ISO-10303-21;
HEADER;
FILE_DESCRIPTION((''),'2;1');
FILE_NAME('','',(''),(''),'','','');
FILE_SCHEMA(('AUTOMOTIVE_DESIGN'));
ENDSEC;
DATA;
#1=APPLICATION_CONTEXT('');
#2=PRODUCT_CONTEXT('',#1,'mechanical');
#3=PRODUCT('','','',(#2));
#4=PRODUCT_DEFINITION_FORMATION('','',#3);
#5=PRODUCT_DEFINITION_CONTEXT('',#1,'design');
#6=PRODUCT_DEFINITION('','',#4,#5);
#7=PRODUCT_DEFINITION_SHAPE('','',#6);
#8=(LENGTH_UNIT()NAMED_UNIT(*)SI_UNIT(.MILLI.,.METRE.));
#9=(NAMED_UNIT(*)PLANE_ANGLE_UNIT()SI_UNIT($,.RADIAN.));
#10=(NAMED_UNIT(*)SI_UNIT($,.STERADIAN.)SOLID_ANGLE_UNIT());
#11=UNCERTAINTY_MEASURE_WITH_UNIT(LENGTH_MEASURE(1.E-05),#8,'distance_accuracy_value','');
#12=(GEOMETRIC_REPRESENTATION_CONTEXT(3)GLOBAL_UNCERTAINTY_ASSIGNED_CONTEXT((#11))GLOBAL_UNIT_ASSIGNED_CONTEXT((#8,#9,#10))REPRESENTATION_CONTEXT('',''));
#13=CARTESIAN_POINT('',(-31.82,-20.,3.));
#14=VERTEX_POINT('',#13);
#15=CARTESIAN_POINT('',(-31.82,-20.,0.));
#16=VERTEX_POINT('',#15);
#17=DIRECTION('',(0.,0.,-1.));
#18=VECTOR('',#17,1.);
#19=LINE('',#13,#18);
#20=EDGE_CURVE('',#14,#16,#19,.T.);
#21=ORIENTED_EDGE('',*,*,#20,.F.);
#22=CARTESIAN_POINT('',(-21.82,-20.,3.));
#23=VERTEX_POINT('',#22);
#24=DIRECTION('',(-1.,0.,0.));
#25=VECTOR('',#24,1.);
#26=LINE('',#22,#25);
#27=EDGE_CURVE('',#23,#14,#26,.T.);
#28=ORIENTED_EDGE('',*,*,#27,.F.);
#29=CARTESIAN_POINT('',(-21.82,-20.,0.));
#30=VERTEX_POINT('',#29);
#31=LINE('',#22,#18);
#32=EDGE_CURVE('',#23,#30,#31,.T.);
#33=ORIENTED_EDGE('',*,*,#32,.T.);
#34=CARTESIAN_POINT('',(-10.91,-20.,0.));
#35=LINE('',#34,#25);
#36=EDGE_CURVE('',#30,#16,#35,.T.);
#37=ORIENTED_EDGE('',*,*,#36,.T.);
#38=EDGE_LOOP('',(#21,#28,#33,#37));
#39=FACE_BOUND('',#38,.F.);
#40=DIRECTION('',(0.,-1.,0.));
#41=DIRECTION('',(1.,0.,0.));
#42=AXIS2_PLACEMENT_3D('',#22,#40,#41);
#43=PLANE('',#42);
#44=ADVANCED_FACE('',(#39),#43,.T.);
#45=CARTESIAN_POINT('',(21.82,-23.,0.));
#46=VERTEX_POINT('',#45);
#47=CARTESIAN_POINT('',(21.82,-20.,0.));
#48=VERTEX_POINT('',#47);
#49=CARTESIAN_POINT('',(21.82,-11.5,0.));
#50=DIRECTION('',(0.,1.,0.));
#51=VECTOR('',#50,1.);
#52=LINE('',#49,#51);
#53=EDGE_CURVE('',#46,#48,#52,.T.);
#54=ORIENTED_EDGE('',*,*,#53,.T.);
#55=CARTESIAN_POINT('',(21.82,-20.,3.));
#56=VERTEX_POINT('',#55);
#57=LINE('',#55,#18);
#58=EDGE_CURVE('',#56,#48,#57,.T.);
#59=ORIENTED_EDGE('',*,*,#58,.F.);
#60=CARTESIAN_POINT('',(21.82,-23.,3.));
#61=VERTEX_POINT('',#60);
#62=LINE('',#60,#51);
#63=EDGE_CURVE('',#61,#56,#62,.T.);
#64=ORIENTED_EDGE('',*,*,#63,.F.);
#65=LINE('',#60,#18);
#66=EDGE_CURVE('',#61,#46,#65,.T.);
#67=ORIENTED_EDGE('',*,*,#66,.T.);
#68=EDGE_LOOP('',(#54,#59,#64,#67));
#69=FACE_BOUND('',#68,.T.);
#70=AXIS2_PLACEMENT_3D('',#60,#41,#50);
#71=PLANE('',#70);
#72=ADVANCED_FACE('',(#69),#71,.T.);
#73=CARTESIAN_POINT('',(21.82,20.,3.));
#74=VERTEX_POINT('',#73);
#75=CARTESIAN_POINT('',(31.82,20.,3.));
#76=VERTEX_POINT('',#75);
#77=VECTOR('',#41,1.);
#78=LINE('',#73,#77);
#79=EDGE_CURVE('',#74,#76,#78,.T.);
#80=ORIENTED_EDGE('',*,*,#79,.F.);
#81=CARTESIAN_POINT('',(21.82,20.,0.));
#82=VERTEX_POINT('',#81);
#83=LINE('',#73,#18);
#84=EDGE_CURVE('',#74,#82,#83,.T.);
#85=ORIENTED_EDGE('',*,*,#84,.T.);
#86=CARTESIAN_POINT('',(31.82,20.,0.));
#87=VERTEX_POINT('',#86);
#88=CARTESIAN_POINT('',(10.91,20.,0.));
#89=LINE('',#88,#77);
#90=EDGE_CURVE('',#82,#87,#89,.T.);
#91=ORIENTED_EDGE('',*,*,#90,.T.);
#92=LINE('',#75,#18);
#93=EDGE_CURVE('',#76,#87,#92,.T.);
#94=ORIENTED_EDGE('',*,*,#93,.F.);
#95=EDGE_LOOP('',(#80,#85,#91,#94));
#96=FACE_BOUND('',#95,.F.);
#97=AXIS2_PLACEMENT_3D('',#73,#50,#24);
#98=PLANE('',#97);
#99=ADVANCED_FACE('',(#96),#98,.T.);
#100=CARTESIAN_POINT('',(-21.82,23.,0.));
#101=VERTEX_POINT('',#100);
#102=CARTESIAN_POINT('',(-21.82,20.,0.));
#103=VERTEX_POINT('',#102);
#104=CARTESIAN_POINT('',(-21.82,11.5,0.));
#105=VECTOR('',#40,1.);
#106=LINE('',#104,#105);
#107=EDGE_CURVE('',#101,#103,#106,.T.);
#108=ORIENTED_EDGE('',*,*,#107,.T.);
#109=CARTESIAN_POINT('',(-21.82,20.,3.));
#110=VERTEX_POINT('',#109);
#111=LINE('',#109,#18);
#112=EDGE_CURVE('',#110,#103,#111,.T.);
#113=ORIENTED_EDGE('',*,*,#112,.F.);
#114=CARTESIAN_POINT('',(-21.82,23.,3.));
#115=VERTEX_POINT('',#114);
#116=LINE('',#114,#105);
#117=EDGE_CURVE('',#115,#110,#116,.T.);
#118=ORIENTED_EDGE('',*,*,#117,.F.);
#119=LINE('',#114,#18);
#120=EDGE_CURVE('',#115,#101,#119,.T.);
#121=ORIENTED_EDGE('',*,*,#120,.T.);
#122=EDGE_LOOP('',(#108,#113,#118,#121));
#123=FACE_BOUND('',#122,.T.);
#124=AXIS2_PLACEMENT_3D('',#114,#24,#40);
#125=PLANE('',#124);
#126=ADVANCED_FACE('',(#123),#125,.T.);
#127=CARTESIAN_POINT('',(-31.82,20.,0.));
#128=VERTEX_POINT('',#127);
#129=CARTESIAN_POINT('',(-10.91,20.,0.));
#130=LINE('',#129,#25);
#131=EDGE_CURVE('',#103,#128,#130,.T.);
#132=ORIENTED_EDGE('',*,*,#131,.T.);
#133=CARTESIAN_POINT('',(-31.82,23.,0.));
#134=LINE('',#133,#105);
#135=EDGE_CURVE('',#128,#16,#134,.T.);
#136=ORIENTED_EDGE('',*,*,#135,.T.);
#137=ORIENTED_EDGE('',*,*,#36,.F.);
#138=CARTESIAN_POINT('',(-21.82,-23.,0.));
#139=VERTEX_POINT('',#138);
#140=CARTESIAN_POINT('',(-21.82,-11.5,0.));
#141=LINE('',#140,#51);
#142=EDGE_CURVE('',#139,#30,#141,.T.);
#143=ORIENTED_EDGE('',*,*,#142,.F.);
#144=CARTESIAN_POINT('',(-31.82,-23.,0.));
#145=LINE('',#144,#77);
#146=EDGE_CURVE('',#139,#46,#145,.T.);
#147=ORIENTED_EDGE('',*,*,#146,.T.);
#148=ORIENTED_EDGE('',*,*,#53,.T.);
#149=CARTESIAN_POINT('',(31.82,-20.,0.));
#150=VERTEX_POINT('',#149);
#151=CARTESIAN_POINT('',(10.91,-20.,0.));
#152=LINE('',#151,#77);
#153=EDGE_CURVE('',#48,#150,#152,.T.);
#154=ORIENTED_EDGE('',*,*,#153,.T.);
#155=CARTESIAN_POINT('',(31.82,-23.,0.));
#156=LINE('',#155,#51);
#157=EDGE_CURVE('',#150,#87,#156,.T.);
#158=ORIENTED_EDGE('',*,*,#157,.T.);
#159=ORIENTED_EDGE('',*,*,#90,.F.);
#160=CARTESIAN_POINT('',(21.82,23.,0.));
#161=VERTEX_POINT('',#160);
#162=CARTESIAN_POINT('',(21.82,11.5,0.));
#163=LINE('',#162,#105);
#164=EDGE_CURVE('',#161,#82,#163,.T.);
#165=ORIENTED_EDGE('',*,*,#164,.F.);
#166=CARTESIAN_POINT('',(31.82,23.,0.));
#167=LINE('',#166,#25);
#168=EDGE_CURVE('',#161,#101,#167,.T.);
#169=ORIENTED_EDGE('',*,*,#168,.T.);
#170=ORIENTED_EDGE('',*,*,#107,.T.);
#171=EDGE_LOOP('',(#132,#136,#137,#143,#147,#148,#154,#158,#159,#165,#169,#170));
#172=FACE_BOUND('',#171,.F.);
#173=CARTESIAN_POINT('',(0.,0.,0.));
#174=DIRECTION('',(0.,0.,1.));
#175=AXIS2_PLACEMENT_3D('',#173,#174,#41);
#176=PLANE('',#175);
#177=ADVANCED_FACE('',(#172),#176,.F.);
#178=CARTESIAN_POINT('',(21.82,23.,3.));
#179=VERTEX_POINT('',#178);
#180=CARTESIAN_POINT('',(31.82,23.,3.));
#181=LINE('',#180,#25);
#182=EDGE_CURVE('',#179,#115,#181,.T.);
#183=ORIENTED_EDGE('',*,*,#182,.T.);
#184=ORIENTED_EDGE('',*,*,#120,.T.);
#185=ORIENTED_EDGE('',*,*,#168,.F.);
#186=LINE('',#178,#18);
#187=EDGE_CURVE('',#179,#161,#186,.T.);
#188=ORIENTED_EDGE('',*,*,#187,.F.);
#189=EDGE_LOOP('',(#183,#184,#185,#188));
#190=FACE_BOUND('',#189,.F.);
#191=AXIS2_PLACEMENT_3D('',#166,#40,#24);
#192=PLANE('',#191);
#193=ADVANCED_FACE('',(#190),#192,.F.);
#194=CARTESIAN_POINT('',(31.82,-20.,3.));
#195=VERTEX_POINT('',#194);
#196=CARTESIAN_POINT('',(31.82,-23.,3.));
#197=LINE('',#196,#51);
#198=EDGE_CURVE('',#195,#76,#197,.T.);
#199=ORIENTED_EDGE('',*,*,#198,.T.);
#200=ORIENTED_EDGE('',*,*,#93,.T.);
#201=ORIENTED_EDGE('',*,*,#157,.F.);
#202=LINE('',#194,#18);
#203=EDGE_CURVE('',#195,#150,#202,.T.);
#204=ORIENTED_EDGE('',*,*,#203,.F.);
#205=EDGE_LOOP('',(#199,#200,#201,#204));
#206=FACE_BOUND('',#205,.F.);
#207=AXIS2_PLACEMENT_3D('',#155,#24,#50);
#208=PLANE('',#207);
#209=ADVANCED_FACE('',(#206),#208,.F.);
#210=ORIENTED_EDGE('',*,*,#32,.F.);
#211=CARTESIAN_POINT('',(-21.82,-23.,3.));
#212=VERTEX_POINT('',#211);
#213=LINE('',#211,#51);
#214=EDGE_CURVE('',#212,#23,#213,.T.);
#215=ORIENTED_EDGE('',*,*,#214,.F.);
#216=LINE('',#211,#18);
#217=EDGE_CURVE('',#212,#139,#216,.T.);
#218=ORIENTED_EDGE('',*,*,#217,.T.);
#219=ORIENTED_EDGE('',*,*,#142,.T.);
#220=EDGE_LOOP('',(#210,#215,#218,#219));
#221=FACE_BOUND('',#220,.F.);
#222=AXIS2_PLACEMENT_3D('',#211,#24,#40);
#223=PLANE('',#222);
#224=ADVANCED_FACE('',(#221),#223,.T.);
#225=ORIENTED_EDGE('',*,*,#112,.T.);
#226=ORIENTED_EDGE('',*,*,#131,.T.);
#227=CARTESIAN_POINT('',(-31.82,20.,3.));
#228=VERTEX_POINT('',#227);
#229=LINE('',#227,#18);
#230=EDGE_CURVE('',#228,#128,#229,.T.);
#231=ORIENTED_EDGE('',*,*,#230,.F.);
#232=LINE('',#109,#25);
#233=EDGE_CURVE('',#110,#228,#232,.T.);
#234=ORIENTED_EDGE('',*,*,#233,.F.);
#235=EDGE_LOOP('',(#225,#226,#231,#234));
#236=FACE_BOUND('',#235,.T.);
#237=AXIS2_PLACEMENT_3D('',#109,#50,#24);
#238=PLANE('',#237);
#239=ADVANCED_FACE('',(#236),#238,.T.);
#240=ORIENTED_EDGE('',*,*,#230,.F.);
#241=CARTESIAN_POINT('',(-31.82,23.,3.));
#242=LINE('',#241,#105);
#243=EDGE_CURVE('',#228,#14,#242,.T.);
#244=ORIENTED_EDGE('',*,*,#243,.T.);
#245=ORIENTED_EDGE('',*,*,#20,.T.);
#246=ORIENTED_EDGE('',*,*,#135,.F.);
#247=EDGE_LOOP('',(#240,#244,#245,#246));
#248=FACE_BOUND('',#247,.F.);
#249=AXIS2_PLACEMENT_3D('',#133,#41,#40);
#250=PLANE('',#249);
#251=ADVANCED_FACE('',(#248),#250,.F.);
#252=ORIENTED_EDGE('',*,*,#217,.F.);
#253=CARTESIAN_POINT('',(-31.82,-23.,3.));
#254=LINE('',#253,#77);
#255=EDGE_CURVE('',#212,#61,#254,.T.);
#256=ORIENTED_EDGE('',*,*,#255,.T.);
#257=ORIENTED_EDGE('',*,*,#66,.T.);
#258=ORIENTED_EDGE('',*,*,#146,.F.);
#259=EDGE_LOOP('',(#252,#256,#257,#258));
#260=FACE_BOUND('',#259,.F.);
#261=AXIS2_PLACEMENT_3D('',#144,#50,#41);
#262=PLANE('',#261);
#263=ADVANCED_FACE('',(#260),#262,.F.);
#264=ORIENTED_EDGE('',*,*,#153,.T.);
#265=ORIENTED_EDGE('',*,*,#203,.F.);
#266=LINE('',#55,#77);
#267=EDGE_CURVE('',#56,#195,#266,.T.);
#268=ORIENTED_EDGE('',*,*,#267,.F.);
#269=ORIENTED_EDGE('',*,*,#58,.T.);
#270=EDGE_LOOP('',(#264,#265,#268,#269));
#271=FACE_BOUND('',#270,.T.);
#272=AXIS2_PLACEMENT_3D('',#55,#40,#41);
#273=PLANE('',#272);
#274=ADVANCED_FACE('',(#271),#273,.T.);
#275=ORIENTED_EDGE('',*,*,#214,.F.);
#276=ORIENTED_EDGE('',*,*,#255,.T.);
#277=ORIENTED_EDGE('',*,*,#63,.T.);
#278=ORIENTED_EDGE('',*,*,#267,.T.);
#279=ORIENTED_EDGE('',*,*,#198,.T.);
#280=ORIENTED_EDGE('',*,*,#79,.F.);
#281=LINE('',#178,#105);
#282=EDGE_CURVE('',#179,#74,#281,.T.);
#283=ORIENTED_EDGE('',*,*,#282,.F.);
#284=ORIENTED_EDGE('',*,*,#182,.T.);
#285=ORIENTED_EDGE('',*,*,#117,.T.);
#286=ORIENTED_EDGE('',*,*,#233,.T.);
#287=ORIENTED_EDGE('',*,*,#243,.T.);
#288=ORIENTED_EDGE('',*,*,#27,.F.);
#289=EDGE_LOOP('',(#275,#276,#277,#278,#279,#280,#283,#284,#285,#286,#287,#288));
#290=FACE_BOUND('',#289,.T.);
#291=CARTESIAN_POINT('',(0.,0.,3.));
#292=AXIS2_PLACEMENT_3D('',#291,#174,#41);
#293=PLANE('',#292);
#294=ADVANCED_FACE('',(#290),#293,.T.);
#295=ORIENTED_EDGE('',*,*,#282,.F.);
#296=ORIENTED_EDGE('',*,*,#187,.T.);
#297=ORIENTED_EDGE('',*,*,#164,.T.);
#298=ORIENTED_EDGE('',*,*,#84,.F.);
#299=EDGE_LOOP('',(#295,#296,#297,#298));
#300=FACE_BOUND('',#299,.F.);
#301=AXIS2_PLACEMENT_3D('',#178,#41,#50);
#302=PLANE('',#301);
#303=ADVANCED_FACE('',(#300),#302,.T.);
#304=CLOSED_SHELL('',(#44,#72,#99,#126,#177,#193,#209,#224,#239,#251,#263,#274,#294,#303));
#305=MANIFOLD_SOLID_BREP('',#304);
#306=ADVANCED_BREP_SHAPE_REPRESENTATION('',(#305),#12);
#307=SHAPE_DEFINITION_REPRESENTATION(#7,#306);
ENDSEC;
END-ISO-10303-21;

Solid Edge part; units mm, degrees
sketch "Sketch1" plane through (0, 0, 0) normal (0, 0, 1) x (1, 0, 0)
  line L0 (-31.82, -23) -> (31.82, -23)
  line L1 (31.82, -23) -> (31.82, 23)
  line L2 (31.82, 23) -> (-31.82, 23)
  line L3 (-31.82, 23) -> (-31.82, -23)
  dimension "D1" = 46
  dimension "D2" = 63.64
extrude "Ajout_matière_1" add sketch "Sketch1" along normal blind 3
sketch "Sketch2" plane through (0, 0, 3) normal (0, 0, 1) x (1, 0, 0)
  line L0 (-31.82, 23) -> (-21.82, 23)
  line L1 (-21.82, 23) -> (-21.82, 20)
  line L2 (-21.82, 20) -> (-31.82, 20)
  line L3 (-31.82, 20) -> (-31.82, 23)
  dimension "D1" = 3
  dimension "D2" = 10
extrude "Cutout1" cut sketch "Sketch2" against normal through all
mirror "Mirror1" about plane through (0, 0, 0) normal (1, 0, 0) of "Cutout1"
mirror "Mirror2" about plane through (0, 0, 0) normal (0, -1, 0) of "Mirror1", "Cutout1"
properties material "Acier S235"
